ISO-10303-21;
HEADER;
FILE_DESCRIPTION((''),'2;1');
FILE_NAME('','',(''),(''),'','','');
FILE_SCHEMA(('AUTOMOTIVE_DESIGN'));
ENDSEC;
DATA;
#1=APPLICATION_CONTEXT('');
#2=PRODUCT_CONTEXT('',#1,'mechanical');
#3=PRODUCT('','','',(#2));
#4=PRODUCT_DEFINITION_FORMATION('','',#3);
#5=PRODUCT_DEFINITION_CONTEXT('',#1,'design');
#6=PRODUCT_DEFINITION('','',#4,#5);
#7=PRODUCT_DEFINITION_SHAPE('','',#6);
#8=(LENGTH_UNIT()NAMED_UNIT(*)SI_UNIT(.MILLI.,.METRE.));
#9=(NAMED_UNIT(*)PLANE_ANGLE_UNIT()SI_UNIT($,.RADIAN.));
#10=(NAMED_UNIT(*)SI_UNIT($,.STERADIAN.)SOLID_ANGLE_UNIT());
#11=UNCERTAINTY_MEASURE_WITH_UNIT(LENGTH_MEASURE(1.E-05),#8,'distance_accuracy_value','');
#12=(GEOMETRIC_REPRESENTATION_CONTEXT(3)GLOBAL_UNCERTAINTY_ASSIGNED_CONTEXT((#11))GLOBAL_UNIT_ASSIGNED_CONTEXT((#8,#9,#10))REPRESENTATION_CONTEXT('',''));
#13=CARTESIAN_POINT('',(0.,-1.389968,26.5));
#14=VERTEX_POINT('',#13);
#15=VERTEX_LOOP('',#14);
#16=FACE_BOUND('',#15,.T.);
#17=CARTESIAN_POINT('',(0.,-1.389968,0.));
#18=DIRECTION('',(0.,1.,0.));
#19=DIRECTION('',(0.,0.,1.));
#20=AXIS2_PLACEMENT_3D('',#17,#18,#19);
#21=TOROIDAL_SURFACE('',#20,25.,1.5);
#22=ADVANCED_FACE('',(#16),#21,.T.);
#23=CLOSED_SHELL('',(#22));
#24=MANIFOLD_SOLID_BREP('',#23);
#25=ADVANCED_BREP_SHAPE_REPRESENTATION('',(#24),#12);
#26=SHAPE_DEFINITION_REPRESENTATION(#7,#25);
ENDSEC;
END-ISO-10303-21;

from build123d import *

# Parameters (mm, degrees)
SZKIC1_R = 1.5


with BuildPart() as part:
    # Szkic1 → Obrót1 (revolve)
    with BuildSketch(Plane.XY, mode=Mode.PRIVATE) as obr_t1_sk:
        with Locations((-25, -1.38996772)):
            Circle(SZKIC1_R)
    revolve(obr_t1_sk.sketch.rotate(Axis((0, 5.124503541, 0), (0, -1, 0)), 270), axis=Axis((0, 5.124503541, 0), (0, -1, 0)))


solid = part.part
